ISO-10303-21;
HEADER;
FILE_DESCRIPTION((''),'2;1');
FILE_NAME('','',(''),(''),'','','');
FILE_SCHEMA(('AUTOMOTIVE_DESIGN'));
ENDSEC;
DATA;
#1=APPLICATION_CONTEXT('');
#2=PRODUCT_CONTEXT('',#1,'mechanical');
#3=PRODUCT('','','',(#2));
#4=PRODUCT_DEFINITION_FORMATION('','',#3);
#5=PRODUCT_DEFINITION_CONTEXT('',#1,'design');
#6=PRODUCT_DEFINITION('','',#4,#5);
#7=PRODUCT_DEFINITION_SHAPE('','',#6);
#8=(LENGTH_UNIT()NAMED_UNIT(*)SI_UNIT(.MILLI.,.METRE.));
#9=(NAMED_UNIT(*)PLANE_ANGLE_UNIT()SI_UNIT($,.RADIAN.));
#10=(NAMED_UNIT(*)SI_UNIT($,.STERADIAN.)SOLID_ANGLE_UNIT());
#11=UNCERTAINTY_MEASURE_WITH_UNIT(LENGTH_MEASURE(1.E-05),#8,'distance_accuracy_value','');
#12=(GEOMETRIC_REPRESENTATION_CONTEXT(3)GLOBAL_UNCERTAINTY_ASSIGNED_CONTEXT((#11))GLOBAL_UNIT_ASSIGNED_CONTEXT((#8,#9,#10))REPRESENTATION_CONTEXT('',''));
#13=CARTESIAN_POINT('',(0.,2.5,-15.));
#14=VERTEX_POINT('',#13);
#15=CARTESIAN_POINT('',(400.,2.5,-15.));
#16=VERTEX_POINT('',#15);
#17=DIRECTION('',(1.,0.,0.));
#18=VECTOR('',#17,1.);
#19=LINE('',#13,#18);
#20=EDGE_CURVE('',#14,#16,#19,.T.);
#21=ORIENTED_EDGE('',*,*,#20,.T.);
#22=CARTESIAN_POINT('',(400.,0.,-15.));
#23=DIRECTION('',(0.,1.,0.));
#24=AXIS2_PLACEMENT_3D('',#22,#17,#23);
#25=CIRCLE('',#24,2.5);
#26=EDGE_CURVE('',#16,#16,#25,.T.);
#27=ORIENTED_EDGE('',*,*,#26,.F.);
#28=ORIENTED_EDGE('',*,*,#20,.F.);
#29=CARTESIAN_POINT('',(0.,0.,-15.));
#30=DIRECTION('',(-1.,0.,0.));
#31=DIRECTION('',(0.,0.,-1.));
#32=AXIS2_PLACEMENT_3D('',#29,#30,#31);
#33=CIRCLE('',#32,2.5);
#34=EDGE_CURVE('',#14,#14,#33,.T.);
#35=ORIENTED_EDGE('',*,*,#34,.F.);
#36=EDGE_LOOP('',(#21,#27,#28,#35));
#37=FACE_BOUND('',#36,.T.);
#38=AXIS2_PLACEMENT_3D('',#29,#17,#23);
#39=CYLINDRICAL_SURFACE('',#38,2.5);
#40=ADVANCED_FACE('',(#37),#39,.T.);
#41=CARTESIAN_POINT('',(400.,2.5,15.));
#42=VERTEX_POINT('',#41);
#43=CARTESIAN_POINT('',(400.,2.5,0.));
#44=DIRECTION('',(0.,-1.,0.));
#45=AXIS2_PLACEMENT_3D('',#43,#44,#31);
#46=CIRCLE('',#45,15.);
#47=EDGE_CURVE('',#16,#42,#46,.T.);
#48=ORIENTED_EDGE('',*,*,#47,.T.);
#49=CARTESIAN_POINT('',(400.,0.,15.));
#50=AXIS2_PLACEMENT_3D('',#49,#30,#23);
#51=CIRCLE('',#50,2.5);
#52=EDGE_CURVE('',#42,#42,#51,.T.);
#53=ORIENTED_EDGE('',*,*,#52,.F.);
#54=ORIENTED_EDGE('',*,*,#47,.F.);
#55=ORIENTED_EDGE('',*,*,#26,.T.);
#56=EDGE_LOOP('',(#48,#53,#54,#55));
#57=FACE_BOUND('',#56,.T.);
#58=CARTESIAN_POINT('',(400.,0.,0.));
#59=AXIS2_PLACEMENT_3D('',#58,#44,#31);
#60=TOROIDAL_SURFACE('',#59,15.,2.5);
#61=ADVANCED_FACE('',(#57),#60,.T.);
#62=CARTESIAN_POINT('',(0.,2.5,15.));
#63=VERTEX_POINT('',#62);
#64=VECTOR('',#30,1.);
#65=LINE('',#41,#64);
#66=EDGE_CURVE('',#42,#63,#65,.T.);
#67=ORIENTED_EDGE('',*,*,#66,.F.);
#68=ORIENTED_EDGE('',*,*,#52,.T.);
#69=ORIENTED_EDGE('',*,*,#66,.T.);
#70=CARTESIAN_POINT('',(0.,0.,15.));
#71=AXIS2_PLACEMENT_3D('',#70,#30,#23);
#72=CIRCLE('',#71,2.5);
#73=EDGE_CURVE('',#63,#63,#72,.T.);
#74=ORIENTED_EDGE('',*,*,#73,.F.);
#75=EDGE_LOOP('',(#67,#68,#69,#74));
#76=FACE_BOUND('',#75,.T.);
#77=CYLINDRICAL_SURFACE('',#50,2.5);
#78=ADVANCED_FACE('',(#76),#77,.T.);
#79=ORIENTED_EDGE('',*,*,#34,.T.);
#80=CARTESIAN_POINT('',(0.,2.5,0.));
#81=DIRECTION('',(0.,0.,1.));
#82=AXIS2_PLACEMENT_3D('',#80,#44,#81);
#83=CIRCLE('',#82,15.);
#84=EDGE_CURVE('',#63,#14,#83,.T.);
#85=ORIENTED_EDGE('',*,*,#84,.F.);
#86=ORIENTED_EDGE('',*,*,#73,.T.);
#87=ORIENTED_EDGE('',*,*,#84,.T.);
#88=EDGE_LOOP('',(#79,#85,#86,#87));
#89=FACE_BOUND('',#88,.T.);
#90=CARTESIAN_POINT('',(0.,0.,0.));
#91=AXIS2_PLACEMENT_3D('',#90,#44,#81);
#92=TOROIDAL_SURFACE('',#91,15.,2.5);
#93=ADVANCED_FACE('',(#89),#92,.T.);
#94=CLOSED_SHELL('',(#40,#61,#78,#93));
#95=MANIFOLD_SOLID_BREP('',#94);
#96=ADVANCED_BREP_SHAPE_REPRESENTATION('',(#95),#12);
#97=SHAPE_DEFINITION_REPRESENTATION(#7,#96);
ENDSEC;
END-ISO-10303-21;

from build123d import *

# Parameters (mm, degrees)
F1_R = 2.5


with BuildPart() as f2:
    # F2: sweep along a path in F0
    with BuildLine(Plane.XZ) as f2_path:
        Line((400, 15), (0, 15))
        ThreePointArc((0, 15), (-15, 0), (0, -15))
        Line((0, -15), (400, -15))
        ThreePointArc((400, -15), (415, 0), (400, 15))
    # F1 (on Right) → F2 (sweep)
    with BuildSketch(Plane.YZ):
        with Locations((0, 15)):
            Circle(F1_R)
    sweep(path=f2_path.line)


solid = f2.part
